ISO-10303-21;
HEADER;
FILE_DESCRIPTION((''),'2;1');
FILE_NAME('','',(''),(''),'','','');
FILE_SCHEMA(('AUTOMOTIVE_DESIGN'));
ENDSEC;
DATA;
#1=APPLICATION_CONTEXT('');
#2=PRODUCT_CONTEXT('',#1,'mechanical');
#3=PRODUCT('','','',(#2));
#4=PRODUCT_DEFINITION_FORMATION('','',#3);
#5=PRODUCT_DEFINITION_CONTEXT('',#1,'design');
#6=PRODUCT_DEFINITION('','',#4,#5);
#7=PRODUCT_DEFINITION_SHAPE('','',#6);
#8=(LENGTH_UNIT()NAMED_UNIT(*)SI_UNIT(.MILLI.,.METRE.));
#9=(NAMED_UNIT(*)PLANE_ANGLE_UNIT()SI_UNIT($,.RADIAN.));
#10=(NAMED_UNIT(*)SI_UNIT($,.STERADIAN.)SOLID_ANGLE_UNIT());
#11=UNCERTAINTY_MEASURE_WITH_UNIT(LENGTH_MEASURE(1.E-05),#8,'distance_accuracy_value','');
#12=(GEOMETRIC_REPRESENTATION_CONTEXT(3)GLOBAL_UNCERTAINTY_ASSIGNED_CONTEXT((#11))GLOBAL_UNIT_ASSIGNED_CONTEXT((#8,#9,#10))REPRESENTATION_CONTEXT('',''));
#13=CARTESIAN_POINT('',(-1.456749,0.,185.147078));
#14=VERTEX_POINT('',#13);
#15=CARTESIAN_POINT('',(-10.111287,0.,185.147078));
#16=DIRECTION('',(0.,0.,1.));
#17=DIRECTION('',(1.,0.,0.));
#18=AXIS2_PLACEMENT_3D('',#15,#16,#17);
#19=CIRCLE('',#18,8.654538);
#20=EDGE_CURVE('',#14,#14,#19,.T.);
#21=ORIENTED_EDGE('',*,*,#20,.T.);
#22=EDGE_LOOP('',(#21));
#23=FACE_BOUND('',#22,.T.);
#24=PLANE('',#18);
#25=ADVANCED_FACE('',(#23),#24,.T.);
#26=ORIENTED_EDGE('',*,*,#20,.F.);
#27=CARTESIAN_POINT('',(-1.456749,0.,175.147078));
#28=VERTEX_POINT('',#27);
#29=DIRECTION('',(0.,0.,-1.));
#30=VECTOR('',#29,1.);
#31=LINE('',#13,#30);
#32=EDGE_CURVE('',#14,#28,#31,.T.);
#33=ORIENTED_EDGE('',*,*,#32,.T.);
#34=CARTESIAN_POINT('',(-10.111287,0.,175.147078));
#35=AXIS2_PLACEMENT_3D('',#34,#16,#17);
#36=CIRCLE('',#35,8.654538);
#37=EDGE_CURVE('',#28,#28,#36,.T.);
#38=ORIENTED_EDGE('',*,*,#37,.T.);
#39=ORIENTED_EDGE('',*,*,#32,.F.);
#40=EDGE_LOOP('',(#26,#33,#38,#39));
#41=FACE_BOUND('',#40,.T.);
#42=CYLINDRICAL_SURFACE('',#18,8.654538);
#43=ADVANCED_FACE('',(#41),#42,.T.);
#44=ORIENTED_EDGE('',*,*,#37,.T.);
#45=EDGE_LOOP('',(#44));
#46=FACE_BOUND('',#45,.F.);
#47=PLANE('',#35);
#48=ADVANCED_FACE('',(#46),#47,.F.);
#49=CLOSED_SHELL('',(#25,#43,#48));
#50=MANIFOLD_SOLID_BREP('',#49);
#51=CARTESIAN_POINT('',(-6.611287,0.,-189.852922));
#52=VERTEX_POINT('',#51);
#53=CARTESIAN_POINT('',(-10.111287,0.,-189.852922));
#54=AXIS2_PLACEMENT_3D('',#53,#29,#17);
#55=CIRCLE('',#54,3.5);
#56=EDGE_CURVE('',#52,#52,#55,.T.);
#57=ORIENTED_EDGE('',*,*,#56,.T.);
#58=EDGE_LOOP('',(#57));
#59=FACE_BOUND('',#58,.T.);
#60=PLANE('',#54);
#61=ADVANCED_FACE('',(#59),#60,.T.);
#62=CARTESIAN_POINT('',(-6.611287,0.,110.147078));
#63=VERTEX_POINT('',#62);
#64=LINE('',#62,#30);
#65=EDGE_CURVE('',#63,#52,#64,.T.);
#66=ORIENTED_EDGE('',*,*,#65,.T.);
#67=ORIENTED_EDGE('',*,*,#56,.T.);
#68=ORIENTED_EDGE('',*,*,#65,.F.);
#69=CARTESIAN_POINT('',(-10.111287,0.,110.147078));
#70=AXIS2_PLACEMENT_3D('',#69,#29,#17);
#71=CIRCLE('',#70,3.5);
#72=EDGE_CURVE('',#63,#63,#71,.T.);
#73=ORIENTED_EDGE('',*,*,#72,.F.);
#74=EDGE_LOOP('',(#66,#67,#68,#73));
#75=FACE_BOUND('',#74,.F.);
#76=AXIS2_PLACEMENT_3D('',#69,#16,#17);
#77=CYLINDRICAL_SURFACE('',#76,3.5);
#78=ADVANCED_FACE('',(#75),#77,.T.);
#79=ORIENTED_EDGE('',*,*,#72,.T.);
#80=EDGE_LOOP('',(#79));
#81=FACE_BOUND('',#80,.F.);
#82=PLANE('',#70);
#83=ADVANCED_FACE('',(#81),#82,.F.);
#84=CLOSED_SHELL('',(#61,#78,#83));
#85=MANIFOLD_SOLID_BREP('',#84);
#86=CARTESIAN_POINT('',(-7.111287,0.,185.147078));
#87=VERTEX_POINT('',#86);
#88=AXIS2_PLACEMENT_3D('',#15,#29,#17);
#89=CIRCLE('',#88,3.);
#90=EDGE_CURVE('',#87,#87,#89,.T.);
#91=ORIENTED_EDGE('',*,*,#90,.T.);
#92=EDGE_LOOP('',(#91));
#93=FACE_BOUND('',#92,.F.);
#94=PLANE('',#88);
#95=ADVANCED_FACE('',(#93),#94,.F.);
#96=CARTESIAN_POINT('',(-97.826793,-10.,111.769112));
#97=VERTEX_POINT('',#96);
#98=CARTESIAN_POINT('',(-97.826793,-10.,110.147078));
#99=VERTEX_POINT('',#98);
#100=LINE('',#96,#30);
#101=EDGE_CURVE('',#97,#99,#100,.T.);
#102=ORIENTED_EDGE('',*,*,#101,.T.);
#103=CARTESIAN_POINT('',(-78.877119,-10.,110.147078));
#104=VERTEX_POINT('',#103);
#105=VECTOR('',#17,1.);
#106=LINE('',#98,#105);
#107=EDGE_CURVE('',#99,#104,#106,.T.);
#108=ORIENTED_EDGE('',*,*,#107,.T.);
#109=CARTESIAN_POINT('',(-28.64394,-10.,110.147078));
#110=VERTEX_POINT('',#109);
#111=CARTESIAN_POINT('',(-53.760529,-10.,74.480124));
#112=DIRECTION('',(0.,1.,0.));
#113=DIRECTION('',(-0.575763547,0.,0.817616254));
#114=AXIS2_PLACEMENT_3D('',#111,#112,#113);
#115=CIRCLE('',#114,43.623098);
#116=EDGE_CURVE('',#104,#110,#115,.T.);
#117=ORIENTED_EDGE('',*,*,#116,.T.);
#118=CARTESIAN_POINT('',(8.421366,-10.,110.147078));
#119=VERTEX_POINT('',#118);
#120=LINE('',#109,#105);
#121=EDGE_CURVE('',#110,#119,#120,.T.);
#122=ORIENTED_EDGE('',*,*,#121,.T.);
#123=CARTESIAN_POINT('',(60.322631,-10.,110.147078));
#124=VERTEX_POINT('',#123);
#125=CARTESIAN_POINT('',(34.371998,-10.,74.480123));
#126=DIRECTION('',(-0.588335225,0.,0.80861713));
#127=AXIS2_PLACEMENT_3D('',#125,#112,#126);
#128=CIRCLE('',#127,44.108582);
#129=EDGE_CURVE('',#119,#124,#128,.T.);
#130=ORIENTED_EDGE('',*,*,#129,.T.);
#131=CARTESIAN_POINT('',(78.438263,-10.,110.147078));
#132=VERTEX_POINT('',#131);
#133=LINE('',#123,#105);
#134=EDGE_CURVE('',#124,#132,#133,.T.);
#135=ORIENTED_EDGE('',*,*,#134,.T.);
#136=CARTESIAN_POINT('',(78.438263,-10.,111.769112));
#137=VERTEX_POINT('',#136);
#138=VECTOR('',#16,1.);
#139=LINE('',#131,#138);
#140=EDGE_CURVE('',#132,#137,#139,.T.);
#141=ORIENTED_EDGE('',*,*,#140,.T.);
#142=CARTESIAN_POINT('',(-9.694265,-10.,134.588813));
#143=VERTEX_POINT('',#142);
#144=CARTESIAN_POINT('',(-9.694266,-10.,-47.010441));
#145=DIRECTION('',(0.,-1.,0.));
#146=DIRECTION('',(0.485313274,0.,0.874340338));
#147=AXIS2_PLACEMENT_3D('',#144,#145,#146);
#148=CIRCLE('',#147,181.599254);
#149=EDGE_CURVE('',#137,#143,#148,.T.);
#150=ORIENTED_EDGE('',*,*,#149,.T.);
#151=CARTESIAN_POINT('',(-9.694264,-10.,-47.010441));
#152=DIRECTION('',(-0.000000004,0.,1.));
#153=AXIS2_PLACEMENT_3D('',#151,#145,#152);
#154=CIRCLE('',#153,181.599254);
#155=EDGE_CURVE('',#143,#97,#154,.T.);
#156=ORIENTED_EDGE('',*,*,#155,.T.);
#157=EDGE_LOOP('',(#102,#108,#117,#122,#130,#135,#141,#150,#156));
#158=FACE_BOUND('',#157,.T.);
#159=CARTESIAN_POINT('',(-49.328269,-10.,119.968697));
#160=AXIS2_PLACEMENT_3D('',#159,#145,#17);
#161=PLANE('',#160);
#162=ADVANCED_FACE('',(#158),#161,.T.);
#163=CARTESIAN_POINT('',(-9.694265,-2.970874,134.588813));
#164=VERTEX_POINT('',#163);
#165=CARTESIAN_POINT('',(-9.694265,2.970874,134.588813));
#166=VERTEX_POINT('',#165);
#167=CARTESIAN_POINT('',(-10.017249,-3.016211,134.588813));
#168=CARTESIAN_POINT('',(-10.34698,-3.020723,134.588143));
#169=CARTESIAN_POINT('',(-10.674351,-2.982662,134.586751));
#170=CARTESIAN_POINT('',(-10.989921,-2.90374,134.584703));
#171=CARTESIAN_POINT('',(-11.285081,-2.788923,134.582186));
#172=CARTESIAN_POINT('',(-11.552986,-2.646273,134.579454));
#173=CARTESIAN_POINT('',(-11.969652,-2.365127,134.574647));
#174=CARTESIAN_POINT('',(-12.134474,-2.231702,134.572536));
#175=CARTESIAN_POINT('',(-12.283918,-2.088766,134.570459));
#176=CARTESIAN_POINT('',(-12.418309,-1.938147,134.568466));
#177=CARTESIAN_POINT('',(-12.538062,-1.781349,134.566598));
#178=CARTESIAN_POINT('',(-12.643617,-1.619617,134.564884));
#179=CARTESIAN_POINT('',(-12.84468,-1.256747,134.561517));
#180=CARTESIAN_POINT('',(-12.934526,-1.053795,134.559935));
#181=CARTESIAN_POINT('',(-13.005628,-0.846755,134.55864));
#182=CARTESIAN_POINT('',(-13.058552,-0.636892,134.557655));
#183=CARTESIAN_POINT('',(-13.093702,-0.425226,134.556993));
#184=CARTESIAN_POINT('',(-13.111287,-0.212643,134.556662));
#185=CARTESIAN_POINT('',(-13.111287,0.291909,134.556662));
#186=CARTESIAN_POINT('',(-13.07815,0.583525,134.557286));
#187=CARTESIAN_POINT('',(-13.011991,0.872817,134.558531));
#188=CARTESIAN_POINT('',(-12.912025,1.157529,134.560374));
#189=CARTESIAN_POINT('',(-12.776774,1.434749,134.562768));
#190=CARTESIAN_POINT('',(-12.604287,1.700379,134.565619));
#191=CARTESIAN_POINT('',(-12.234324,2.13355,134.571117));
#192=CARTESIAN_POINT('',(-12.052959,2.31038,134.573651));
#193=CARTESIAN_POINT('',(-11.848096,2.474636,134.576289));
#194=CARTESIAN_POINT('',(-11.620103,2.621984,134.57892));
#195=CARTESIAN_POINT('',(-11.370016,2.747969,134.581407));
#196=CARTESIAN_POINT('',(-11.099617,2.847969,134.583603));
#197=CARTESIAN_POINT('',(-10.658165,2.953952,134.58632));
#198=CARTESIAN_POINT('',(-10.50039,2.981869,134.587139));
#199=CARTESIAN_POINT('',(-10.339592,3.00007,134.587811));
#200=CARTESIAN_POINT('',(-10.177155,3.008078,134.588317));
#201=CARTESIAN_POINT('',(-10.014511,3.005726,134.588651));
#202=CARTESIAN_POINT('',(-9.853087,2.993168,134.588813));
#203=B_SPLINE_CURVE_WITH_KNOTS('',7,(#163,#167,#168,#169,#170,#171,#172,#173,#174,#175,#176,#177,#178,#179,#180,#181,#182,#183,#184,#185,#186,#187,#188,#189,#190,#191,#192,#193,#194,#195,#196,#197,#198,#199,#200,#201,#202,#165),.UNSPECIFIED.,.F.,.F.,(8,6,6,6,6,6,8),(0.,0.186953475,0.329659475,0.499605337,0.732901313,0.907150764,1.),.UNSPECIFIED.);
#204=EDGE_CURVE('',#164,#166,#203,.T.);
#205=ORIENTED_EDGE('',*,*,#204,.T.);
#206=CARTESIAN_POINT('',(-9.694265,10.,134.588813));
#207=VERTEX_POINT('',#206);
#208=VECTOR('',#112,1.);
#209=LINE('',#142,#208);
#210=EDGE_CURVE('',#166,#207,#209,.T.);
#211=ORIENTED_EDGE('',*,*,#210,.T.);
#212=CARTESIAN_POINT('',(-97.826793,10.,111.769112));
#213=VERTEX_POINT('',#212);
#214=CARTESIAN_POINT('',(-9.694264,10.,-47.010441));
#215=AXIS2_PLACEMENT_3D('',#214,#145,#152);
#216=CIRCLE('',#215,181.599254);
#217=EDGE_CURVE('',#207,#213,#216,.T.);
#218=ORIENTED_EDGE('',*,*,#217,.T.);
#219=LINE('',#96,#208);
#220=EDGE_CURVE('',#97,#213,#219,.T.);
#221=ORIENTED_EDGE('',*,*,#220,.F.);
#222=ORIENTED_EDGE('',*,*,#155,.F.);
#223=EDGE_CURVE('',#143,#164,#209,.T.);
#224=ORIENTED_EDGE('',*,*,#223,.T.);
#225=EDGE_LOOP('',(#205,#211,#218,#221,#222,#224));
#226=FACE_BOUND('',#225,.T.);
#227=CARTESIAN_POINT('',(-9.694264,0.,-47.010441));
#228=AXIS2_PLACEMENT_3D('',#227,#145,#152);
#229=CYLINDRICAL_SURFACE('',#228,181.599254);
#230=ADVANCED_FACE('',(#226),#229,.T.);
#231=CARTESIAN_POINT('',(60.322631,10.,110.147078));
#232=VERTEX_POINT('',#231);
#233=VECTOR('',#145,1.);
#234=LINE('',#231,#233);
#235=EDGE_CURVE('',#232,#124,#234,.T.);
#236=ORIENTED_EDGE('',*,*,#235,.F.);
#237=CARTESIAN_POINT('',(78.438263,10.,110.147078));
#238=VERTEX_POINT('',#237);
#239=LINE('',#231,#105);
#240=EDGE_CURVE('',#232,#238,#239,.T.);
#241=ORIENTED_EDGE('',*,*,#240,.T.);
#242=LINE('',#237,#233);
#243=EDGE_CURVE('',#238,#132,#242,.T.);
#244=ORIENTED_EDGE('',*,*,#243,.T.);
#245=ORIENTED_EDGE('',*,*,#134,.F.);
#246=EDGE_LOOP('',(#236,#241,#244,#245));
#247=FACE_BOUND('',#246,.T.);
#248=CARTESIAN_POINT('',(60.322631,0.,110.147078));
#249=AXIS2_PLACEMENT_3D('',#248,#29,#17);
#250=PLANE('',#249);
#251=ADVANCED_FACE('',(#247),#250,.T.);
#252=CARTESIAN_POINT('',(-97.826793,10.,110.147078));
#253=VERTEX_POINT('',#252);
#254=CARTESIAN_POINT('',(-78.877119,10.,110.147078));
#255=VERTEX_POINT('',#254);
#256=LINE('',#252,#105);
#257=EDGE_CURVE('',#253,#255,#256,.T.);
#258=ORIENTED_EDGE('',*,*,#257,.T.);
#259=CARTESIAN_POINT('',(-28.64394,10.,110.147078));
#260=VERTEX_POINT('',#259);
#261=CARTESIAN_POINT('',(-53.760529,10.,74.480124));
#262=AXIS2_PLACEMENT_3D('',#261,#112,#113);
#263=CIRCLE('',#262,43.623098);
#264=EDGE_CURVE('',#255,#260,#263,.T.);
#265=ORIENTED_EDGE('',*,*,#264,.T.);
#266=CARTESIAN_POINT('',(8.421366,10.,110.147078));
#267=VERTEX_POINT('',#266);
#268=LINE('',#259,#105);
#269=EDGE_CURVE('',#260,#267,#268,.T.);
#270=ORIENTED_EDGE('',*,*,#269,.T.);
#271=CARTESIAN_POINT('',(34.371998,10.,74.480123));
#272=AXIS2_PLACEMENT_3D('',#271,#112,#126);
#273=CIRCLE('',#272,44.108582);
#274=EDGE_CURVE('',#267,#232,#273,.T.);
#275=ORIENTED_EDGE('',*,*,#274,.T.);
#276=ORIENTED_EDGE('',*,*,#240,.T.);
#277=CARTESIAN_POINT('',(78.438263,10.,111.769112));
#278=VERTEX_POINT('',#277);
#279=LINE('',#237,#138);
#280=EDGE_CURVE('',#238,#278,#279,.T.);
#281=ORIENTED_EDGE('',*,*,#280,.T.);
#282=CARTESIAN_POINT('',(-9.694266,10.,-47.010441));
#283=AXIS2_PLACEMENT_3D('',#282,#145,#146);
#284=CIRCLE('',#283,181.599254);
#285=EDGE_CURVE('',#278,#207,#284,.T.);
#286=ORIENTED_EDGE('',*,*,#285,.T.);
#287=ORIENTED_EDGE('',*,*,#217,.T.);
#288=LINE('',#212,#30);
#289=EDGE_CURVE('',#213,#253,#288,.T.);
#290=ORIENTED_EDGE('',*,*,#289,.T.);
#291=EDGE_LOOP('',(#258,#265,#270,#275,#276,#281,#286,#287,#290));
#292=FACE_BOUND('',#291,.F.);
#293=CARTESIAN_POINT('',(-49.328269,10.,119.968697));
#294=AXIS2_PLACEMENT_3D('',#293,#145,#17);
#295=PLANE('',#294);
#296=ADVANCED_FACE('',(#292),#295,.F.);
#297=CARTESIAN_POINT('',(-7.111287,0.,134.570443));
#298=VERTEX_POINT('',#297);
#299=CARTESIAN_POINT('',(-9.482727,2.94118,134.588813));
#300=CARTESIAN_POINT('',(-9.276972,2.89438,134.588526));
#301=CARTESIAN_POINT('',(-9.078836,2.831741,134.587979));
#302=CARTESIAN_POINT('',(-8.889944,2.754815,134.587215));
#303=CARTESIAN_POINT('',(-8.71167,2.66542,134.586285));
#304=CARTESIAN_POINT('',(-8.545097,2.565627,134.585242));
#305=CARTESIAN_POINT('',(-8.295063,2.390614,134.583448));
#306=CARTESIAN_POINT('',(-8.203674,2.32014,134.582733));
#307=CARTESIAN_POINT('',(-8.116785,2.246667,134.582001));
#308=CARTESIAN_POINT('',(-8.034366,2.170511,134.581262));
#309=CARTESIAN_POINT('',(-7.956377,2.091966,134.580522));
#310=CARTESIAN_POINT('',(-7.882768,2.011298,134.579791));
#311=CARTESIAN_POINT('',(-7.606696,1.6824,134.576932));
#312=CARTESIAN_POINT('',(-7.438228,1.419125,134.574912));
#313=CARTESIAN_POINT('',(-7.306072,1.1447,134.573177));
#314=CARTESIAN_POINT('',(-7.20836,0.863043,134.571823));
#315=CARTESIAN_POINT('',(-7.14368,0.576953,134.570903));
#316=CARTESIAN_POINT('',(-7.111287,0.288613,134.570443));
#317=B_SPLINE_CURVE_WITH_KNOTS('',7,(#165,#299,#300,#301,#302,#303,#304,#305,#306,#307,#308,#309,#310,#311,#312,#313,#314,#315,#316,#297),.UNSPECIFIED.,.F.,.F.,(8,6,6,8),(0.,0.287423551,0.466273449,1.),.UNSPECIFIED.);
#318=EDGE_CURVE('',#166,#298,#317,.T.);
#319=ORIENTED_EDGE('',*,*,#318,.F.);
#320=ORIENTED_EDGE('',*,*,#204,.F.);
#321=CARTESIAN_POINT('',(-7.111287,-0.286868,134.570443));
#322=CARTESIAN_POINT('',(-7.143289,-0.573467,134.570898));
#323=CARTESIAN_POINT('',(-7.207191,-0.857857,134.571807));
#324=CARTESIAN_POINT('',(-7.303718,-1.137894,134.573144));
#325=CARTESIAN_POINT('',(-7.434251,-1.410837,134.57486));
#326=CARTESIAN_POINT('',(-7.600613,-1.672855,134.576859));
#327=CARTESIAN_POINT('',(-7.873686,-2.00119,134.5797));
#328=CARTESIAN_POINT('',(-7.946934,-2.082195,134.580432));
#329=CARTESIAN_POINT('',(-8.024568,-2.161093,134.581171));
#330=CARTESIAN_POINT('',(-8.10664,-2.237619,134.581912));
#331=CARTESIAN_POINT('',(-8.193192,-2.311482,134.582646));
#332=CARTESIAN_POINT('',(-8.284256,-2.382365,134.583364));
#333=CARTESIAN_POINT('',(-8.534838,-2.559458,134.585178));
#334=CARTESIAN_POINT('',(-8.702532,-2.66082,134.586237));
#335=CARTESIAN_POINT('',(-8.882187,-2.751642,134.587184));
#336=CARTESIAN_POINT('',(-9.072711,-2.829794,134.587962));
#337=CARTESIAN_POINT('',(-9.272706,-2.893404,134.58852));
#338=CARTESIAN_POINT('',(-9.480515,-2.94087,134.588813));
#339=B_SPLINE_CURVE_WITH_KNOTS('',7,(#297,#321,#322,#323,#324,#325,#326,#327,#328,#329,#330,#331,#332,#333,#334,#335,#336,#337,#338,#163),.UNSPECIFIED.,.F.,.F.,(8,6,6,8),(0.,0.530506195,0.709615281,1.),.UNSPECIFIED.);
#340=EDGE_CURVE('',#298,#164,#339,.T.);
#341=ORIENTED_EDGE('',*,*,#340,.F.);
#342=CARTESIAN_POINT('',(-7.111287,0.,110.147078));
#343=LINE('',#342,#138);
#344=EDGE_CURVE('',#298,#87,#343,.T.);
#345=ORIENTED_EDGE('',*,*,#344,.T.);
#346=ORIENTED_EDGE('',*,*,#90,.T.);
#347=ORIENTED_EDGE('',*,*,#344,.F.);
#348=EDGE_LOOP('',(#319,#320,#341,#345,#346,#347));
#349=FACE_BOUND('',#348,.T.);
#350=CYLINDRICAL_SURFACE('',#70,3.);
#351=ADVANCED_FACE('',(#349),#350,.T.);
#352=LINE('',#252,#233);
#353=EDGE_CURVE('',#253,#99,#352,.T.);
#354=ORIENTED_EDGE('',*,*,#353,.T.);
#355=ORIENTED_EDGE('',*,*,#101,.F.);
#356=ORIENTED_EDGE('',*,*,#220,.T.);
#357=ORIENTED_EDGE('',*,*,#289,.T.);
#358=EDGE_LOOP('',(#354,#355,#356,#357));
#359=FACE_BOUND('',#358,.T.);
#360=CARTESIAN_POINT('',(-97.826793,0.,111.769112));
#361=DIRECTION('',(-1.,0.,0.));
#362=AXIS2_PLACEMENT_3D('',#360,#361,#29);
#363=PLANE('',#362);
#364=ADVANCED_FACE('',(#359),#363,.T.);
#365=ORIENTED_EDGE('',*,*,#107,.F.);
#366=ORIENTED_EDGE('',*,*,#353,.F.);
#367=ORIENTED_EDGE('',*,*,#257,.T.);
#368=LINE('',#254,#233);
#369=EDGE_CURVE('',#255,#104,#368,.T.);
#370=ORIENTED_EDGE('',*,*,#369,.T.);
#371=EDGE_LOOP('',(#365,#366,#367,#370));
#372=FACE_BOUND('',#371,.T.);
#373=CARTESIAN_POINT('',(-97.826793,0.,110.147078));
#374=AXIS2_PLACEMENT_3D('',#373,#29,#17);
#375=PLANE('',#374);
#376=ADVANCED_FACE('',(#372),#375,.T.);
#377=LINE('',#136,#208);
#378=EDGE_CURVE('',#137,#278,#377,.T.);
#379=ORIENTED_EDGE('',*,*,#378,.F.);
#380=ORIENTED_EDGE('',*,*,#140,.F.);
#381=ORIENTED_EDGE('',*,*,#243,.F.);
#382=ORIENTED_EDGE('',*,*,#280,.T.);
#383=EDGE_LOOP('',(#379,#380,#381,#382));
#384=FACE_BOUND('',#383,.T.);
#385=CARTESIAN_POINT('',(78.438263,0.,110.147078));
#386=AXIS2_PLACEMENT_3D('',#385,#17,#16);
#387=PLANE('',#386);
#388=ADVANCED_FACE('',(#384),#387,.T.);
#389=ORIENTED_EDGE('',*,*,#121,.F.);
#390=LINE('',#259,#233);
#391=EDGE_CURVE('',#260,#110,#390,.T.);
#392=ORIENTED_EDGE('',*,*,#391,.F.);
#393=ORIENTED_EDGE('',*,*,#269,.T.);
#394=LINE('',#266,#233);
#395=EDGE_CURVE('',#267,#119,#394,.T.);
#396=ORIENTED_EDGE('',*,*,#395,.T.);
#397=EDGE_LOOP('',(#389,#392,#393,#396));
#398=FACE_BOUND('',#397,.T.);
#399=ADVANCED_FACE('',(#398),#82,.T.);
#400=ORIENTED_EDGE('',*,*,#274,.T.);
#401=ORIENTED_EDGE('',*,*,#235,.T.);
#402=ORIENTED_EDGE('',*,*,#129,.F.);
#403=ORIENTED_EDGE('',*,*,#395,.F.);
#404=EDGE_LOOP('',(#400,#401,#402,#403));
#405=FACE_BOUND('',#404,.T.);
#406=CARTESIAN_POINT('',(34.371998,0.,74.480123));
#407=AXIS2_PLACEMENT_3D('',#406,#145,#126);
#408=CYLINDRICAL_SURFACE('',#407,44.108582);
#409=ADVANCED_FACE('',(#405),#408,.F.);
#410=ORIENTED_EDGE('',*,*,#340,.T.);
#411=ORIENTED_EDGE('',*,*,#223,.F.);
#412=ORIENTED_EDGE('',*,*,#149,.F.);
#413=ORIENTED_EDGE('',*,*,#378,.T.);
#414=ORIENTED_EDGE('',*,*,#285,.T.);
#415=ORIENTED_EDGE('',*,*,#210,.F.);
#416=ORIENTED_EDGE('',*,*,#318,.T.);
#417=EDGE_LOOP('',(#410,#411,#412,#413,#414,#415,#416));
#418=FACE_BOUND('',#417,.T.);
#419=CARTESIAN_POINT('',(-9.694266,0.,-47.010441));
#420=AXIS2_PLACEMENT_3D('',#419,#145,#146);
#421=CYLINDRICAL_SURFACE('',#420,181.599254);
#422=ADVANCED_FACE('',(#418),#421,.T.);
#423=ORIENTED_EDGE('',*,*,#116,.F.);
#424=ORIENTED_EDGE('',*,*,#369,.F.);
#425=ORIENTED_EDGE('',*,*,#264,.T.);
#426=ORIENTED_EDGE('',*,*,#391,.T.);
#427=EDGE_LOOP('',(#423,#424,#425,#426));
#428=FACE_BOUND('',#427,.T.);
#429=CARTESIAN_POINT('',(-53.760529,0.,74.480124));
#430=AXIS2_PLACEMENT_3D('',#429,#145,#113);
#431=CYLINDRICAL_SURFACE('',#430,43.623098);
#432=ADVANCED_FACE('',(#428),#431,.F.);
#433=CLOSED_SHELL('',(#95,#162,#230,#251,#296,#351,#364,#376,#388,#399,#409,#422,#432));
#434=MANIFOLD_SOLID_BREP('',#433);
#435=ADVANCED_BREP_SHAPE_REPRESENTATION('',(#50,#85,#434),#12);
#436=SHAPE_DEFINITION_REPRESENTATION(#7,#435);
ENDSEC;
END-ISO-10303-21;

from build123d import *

# Parameters (mm, degrees)
F1_DEPTH = 10
F2_R     = 3
F3_DEPTH = 75
F4_R     = 3.5
F5_DEPTH = 300
F6_R     = 8.654538
F7_DEPTH = 10


with BuildPart() as f1:
    # F0 (on Front) → F1 (new body, symmetric)
    with BuildSketch(Plane.XZ):
        with BuildLine():
            Line((-97.826793, 111.769112), (-97.826793, 110.147078))
            Line((-97.826793, 110.147078), (-78.877119, 110.147078))
            ThreePointArc((-78.877119, 110.147078), (-53.760529, 118.103222), (-28.64394, 110.147078))
            Line((-28.64394, 110.147078), (-9.694265, 110.147078))
            Line((-9.694265, 110.147078), (-9.694265, 134.588813))
            ThreePointArc((-9.694265, 134.588813), (-55.213715, 128.791347), (-97.826793, 111.769112))
        make_face()
        with BuildLine():
            ThreePointArc((78.438263, 111.769112), (35.825185, 128.791347), (-9.694265, 134.588813))
            Line((-9.694265, 134.588813), (-9.694265, 110.147078))
            Line((-9.694265, 110.147078), (8.421366, 110.147078))
            ThreePointArc((8.421366, 110.147078), (34.371999, 118.588705), (60.322631, 110.147078))
            Line((60.322631, 110.147078), (78.438263, 110.147078))
            Line((78.438263, 110.147078), (78.438263, 111.769112))
        make_face()
    extrude(amount=F1_DEPTH, both=True)

    # F2 (on face) → F3 (join)
    with BuildSketch(Plane(origin=(0, 0, 110.147078), x_dir=(1, 0, 0), z_dir=(0, 0, -1))):
        with Locations((-10.111287, 0)):
            Circle(F2_R)
    extrude(amount=-F3_DEPTH)


with BuildPart() as f5:
    # F4 (on face) → F5 (new body)
    with BuildSketch(Plane(origin=(0, 0, 110.147078), x_dir=(1, 0, 0), z_dir=(0, 0, -1))):
        with Locations((-10.111287, 0)):
            Circle(F4_R)
    extrude(amount=F5_DEPTH)


with BuildPart() as f7:
    # F6 (on face) → F7 (new body)
    with BuildSketch(Plane.XY.offset(185.147078)):
        with Locations((-10.111287, 0)):
            Circle(F6_R)
    extrude(amount=-F7_DEPTH)


solid = Compound([f1.part, f5.part, f7.part])
